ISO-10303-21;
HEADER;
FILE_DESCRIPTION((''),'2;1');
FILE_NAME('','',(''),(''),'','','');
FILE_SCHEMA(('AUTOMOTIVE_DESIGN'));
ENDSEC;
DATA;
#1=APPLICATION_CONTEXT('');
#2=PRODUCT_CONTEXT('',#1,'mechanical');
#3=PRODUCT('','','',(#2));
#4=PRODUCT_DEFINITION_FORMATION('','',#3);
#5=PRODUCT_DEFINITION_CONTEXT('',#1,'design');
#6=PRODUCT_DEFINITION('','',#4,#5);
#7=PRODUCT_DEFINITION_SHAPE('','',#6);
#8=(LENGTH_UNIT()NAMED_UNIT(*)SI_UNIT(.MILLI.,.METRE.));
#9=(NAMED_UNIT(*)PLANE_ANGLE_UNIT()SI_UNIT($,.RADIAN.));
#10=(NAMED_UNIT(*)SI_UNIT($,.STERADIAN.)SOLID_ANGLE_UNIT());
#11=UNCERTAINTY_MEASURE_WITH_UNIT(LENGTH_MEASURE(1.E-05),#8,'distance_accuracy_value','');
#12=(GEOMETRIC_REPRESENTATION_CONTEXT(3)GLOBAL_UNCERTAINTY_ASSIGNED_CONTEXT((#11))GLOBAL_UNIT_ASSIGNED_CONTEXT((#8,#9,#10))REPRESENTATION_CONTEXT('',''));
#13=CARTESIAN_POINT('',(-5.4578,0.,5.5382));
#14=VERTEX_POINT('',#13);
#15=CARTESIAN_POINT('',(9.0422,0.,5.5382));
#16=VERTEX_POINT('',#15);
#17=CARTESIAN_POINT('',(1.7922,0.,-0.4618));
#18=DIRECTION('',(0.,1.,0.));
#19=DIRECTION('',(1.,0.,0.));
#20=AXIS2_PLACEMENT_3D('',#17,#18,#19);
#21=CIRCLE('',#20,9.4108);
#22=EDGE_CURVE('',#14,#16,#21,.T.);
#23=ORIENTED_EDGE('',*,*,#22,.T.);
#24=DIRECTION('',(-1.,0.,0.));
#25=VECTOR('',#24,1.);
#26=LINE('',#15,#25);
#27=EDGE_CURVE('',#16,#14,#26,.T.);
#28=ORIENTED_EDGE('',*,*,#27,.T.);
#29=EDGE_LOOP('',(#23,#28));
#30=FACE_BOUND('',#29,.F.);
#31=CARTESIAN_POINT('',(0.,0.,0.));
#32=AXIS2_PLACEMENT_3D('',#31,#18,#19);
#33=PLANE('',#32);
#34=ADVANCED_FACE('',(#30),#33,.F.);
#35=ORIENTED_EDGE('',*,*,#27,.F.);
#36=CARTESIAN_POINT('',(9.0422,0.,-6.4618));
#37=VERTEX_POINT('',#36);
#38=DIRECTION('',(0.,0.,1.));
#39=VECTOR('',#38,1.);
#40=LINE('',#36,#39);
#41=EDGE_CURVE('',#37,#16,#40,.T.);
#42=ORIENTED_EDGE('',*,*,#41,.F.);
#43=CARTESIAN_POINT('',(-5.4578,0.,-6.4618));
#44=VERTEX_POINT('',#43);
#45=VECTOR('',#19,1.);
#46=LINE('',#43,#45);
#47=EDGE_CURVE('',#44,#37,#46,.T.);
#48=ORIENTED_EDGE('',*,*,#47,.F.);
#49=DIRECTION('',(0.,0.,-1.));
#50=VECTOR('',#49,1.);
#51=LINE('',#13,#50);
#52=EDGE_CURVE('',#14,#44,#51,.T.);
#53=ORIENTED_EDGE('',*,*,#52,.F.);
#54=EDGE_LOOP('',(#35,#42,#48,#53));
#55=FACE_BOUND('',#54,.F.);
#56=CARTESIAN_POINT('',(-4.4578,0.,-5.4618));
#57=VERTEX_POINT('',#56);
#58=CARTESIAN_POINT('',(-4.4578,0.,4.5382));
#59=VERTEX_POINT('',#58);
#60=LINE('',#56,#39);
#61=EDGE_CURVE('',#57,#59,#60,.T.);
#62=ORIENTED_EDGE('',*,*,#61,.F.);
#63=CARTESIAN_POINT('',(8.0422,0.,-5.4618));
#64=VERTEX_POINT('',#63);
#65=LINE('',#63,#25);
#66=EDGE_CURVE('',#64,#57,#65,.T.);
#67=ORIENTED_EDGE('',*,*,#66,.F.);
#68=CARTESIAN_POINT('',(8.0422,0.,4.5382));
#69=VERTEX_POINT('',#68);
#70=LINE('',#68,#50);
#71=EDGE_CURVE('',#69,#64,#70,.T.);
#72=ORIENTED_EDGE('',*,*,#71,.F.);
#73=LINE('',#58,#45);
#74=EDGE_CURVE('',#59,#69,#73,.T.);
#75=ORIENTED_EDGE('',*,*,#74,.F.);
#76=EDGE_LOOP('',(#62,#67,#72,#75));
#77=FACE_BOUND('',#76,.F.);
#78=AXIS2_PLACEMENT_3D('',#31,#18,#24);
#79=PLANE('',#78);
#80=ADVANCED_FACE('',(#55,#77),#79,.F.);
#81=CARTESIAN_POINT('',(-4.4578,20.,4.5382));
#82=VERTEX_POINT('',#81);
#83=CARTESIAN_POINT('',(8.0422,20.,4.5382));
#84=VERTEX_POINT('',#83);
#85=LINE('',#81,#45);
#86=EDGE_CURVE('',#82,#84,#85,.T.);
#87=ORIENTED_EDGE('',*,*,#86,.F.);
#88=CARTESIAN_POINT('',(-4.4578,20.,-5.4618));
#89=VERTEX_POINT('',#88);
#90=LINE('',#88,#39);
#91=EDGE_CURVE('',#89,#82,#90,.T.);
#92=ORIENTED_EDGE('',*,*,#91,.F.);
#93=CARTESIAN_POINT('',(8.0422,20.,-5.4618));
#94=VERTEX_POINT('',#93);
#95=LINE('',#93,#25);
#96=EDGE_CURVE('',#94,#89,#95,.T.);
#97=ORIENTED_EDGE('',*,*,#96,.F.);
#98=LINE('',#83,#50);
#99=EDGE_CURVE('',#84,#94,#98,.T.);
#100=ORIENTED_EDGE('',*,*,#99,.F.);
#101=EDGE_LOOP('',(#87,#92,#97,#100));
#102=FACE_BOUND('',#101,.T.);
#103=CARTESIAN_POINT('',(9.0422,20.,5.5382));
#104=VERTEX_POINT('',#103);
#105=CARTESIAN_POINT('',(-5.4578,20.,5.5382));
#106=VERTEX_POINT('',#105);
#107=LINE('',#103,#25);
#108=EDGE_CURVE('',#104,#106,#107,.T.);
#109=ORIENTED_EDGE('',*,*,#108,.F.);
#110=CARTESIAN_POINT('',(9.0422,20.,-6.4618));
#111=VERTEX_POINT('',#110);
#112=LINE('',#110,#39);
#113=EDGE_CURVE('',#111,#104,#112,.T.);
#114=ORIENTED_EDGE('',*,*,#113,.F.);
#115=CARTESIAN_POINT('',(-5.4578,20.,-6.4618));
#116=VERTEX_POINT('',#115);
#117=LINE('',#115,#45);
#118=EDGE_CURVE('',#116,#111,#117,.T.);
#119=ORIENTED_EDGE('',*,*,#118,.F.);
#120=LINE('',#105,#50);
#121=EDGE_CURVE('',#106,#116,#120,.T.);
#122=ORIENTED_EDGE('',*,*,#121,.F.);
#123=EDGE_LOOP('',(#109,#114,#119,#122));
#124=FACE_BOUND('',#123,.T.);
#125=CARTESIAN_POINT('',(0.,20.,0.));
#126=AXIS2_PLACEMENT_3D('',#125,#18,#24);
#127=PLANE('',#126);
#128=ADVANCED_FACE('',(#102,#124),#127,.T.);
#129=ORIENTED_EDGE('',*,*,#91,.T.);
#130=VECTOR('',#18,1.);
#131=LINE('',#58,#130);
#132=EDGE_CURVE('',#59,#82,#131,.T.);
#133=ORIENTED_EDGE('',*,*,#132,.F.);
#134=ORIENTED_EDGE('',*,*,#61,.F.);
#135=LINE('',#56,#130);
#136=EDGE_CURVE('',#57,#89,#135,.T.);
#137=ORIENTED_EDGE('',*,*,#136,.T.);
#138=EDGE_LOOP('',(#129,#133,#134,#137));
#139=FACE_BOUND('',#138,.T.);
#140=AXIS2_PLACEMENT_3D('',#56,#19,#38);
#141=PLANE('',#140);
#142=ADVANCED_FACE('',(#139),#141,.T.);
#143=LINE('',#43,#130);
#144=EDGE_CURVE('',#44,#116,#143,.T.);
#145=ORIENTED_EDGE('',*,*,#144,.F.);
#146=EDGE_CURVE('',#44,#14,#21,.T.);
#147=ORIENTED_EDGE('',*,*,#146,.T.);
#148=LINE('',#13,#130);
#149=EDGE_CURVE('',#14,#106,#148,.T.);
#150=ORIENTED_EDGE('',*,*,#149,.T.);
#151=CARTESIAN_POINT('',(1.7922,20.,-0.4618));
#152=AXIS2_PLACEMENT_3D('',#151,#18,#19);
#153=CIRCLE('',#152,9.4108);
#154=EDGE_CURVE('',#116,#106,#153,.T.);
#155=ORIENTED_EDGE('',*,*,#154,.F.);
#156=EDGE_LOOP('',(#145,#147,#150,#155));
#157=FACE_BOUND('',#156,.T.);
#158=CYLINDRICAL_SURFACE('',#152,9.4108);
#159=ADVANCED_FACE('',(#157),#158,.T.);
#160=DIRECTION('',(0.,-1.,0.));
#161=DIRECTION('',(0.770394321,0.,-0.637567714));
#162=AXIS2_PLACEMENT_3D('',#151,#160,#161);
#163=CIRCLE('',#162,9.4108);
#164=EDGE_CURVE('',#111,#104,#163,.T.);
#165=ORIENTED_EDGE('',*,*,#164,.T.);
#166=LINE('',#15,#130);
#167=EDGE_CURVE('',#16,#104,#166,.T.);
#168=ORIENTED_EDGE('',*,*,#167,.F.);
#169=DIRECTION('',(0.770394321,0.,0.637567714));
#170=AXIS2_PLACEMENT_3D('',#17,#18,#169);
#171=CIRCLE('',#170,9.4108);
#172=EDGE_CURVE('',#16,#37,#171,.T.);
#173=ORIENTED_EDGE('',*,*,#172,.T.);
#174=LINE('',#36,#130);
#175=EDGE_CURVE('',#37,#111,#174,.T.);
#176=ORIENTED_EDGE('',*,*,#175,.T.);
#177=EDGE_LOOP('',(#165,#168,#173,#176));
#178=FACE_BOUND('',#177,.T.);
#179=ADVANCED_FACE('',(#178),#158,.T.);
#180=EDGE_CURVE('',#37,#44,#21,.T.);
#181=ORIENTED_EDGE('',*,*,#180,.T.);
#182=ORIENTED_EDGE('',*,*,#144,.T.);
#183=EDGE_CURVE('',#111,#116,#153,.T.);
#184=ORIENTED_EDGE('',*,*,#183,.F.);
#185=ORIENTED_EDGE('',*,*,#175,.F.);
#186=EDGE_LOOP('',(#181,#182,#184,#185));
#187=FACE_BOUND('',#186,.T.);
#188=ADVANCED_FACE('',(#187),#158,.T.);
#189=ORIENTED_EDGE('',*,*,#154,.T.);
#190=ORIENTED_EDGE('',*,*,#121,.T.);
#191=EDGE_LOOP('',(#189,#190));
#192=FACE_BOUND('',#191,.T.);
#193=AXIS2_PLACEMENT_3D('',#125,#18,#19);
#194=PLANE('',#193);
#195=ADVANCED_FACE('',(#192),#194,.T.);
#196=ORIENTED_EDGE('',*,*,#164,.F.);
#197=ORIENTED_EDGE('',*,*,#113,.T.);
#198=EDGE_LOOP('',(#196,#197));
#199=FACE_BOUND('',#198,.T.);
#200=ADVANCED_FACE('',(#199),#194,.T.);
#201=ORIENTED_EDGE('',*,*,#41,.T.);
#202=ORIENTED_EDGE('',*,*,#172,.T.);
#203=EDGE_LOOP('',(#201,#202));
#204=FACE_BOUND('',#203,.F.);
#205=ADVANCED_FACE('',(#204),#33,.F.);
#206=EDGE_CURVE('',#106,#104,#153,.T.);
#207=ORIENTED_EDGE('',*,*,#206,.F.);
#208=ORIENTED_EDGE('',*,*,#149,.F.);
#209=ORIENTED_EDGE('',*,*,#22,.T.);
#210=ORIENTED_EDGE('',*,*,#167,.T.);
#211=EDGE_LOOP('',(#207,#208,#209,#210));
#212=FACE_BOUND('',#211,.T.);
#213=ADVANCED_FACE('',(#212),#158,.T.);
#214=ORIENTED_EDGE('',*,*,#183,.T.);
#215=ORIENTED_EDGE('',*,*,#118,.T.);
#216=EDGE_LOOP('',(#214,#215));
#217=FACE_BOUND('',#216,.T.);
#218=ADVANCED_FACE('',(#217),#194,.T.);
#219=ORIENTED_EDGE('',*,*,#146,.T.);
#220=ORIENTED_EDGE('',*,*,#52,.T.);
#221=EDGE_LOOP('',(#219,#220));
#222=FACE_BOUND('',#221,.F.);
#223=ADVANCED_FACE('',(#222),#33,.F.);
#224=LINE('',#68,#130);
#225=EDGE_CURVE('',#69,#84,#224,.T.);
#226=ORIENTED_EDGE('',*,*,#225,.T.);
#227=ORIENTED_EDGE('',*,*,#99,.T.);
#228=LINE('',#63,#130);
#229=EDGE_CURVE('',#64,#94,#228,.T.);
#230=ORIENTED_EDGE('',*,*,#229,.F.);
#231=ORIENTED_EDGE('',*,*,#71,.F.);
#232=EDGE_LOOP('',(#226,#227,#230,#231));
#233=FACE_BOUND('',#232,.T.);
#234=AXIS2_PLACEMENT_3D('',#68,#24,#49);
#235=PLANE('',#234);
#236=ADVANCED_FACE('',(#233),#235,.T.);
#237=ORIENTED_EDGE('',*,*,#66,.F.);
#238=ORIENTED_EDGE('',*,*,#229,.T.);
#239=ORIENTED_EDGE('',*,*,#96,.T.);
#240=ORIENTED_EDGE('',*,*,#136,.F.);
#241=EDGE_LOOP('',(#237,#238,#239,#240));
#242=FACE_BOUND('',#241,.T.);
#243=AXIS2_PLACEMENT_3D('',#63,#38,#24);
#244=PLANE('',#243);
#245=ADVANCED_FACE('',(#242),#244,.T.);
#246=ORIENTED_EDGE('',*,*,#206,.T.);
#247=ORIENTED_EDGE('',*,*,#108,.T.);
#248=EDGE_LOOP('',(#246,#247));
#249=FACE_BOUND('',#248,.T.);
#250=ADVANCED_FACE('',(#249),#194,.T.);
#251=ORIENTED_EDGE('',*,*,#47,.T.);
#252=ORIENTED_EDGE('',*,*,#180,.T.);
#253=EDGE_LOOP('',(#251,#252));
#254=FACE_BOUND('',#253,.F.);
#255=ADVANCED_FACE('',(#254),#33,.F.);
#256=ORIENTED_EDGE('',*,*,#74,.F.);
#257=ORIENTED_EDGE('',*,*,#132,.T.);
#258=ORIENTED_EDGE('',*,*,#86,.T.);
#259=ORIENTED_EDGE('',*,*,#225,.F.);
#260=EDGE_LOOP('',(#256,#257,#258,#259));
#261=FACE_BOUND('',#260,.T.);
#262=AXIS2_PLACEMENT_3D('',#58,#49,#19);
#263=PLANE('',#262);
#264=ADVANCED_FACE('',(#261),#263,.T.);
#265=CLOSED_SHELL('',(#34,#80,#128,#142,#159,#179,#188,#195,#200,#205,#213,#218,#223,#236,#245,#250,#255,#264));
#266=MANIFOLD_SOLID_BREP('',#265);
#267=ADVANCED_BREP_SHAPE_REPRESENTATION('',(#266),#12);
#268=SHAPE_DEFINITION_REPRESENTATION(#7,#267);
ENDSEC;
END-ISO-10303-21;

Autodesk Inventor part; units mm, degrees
ref_plane "YZ Plane" through (0, 0, 0) normal (1, 0, 0) x (0, 1, 0)
ref_plane "XZ Plane" through (0, 0, 0) normal (0, 1, 0) x (-1, 0, 0)
ref_plane "XY Plane" through (0, 0, 0) normal (0, 0, 1) x (1, 0, 0)
sketch "草圖1" plane through (0, 0, 0) normal (0, 1, 0) x (-1, 0, 0)
  line L0 (4.4578, 4.5382) -> (-8.0422, 4.5382)
  line L1 (-8.0422, 4.5382) -> (-8.0422, -5.4618)
  line L2 (-8.0422, -5.4618) -> (4.4578, -5.4618)
  line L3 (4.4578, -5.4618) -> (4.4578, 4.5382)
  line L4 (5.4578, -6.4618) -> (-9.0422, -6.4618)
  line L5 (-9.0422, -6.4618) -> (-9.0422, 5.5382)
  line L6 (-9.0422, 5.5382) -> (5.4578, 5.5382)
  line L7 (5.4578, 5.5382) -> (5.4578, -6.4618)
  point P0 (0, 0)
  dimension "d0" = 10
  dimension "d1" = 12.5
  dimension "d2" = 1
extrude "擠出1" add sketch "草圖1" along normal blind 20
sketch "草圖2" plane through (0, 20, 0) normal (0, 1, 0) x (1, 0, 0)
  circle A0 centre (1.7922, 0.4618) radius 9.4108
  line L0 (-5.4578, -5.5382) -> (9.0422, -5.5382) projected
  line L1 (9.0422, -5.5382) -> (9.0422, 6.4618) projected
  line L2 (9.0422, 6.4618) -> (-5.4578, 6.4618) projected
  line L3 (-5.4578, 6.4618) -> (-5.4578, -5.5382) projected
  line L4 (-4.4578, -4.5382) -> (-4.4578, 5.4618) projected
  line L5 (-4.4578, 5.4618) -> (8.0422, 5.4618) projected
  line L6 (8.0422, 5.4618) -> (8.0422, -4.5382) projected
  line L7 (8.0422, -4.5382) -> (-4.4578, -4.5382) projected
  point P0 (0, 0)
  point P1 (9.0422, 6.4618)
extrude "擠出2" add sketch "草圖2" against normal up to surface (20 mm away) contours A0 L1 | L2 A0 | A0 L0 | L3 A0
properties part number "axis_rf_fix"
